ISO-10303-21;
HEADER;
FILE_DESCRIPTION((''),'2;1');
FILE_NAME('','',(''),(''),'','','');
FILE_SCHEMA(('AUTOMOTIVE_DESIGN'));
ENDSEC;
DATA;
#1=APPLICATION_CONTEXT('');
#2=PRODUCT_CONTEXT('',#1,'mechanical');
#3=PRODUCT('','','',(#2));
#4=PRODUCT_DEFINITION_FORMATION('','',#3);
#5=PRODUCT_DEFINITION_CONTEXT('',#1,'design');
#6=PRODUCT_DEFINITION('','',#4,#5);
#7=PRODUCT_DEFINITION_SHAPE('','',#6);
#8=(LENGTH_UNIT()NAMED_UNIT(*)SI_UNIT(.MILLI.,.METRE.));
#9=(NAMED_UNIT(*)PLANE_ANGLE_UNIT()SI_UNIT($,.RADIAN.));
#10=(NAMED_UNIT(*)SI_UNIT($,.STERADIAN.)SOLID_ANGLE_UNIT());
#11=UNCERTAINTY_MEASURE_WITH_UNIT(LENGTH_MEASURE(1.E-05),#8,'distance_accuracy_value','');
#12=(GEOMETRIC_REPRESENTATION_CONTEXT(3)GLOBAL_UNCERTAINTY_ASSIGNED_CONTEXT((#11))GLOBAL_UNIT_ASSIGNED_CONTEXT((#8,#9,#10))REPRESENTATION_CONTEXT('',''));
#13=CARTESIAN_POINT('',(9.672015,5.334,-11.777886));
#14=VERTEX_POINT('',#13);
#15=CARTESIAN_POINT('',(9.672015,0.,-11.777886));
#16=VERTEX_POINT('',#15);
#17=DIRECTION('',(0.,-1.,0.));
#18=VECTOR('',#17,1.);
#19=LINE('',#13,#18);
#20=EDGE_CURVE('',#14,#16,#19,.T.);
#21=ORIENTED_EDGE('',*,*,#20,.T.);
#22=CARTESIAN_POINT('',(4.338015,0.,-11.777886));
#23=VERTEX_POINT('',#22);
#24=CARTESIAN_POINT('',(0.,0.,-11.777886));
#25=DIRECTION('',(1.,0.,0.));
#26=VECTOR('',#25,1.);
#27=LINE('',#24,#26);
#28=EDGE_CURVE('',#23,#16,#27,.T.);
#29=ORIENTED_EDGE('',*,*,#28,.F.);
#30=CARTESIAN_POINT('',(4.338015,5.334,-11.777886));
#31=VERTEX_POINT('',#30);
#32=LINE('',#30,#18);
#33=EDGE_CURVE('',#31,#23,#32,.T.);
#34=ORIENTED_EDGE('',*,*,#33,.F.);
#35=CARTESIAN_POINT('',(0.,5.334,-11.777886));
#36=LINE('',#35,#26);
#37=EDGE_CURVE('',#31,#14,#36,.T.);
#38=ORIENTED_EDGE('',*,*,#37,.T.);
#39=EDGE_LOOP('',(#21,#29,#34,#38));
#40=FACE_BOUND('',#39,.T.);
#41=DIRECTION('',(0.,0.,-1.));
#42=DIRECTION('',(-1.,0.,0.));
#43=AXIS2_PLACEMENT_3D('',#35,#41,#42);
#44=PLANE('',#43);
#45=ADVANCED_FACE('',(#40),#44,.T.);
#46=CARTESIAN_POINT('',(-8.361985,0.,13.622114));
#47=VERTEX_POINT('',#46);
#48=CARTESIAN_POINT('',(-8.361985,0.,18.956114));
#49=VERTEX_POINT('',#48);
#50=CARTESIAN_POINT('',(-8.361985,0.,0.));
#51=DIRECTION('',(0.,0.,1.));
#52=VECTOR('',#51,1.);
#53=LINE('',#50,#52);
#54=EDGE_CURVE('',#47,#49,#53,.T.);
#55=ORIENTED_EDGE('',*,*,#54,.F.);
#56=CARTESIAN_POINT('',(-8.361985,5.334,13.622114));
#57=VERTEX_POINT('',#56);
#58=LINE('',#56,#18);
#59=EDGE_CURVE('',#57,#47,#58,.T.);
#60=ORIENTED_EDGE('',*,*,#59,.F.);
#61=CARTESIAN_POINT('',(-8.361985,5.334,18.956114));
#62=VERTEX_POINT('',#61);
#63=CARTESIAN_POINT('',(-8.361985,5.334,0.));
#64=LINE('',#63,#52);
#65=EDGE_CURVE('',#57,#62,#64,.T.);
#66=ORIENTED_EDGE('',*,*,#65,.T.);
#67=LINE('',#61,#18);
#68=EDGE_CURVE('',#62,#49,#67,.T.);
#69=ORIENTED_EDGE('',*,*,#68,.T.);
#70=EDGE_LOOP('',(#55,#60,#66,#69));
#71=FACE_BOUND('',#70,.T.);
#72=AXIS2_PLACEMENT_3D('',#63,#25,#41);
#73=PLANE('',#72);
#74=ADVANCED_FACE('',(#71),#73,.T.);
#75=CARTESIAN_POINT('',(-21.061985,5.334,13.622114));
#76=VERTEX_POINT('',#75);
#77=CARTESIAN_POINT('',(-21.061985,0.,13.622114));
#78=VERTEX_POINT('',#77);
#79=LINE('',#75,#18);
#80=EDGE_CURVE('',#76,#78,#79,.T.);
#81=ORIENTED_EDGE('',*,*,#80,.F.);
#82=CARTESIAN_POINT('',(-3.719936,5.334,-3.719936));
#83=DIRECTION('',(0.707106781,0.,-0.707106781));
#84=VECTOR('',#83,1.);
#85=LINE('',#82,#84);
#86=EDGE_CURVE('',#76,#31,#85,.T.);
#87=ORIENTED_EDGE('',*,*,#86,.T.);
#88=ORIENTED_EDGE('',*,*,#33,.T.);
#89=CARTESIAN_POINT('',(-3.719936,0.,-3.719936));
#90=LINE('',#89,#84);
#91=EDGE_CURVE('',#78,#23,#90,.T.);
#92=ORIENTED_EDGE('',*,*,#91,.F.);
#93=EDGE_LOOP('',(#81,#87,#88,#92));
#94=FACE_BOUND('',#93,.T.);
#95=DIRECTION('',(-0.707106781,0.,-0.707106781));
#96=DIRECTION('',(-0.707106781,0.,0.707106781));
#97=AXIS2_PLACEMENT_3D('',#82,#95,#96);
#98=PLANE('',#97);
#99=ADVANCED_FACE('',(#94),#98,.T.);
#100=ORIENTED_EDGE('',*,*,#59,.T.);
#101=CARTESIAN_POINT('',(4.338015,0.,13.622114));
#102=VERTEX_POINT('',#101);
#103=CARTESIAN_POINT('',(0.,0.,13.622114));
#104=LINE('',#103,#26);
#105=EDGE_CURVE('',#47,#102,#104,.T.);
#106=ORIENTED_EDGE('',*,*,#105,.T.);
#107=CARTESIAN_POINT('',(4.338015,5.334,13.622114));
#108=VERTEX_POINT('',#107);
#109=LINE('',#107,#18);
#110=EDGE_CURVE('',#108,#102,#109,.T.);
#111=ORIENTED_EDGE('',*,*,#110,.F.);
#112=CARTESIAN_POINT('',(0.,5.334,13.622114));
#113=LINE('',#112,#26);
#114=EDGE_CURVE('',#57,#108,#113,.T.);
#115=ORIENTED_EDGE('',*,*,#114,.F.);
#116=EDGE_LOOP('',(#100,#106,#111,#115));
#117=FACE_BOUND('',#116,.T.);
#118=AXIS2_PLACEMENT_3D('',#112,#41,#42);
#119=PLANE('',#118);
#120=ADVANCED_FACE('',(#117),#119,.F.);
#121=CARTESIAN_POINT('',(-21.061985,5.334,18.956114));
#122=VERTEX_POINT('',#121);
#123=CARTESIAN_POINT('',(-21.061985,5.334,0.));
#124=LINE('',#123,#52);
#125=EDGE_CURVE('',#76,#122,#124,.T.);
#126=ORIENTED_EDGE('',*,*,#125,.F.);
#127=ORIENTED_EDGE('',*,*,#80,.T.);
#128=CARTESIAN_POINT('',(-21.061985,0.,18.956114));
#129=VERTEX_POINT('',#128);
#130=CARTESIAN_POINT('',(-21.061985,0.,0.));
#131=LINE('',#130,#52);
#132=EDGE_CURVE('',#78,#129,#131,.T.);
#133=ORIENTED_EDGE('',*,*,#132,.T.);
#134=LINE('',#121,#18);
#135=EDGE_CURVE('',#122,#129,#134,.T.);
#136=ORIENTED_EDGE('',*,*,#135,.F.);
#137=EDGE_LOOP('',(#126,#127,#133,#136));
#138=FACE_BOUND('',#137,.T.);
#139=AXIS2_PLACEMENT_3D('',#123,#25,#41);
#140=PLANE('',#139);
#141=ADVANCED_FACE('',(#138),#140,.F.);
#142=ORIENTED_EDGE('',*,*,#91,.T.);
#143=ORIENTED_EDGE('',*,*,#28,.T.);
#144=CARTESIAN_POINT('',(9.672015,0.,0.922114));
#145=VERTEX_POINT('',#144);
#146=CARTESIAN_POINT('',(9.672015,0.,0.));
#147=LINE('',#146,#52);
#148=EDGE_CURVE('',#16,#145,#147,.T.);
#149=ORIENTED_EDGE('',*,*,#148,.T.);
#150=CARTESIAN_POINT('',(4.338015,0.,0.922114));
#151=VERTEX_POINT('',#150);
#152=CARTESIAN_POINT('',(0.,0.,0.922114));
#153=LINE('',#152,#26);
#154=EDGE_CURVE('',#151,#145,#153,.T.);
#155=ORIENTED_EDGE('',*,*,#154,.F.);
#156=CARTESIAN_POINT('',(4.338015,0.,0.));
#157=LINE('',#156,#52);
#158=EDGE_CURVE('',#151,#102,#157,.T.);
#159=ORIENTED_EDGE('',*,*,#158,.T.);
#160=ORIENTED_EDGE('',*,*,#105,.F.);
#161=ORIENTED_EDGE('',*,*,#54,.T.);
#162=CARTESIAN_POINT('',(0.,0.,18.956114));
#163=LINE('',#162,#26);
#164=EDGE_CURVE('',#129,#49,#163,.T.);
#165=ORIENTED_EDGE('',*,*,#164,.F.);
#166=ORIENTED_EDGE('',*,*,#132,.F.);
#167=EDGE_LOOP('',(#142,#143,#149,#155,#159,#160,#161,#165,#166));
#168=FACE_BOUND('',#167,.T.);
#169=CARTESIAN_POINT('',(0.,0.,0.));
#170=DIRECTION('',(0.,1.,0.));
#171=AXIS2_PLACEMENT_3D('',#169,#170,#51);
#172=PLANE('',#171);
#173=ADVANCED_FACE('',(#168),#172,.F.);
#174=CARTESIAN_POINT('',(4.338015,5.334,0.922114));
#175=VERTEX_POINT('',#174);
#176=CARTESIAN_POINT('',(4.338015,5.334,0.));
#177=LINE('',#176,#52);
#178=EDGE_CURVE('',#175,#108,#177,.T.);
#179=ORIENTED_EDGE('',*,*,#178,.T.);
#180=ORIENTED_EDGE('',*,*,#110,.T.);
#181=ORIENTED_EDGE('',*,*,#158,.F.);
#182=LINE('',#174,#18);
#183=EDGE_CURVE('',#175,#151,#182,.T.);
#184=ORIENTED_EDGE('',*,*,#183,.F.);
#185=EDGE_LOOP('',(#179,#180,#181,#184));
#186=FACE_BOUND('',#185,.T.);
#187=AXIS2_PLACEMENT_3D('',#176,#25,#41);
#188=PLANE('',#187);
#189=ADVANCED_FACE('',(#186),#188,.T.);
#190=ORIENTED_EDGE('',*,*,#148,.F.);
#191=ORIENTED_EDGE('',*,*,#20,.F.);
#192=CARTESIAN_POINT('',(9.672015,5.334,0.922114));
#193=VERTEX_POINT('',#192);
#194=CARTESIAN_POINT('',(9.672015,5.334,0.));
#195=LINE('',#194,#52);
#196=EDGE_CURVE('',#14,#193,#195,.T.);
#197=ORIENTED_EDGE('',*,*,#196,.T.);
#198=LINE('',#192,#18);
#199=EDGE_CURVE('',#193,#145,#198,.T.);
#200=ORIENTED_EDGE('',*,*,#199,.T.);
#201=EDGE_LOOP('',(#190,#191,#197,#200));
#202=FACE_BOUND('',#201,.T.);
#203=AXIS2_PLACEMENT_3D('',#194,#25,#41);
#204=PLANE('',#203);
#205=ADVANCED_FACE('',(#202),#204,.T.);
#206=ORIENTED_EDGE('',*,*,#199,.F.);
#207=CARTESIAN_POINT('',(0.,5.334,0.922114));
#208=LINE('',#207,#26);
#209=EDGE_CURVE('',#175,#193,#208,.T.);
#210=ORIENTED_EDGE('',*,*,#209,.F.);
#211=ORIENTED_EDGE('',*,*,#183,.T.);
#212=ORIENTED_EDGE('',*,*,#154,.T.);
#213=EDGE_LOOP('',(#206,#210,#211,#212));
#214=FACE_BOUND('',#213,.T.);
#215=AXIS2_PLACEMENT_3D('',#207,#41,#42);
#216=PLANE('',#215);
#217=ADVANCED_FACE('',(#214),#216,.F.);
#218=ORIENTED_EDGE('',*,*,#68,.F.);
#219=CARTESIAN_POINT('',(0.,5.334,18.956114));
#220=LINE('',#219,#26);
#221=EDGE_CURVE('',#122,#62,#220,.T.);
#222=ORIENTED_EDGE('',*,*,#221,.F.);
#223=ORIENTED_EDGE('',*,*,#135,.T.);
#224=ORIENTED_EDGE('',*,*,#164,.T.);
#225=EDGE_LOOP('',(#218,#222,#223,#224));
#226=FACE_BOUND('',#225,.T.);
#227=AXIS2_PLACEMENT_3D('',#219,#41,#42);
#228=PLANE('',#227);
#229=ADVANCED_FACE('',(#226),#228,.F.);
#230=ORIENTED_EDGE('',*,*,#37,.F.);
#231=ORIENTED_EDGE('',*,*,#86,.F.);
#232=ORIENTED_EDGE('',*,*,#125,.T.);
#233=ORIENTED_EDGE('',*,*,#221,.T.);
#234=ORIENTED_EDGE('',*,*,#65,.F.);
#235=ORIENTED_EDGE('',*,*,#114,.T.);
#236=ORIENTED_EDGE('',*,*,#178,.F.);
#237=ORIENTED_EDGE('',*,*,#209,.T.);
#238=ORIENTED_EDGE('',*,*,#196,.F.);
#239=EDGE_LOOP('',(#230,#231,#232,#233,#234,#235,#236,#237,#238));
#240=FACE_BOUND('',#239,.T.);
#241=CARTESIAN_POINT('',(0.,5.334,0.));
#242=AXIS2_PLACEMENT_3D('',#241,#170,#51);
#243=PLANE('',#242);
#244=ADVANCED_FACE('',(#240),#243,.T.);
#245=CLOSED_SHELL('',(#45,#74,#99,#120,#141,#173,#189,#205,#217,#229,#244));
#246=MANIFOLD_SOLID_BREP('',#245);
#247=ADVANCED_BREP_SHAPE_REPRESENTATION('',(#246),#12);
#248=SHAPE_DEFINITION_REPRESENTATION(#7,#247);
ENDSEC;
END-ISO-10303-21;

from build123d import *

# Parameters (mm, degrees)
SKETCH1_W           = 12.7
SKETCH1_H           = 5.334
SKETCH1_W_2         = 5.334
SKETCH1_H_2         = 12.7
BOSS_EXTRUDE1_DEPTH = 5.334


with BuildPart() as part:
    # Sketch1 → Boss-Extrude1 (new body)
    with BuildSketch(Plane(origin=(0, 0, 0), x_dir=(1, 0, 0), z_dir=(0, 1, 0))):
        with Locations((-14.711985437, -16.289114223)):
            Rectangle(SKETCH1_W, SKETCH1_H)
        Polygon((4.338014563, 11.777885777), (4.338014563, -13.622114223), (-21.061985437, -13.622114223), align=None)
        with Locations((7.005014563, 5.427885777)):
            Rectangle(SKETCH1_W_2, SKETCH1_H_2)
    extrude(amount=BOSS_EXTRUDE1_DEPTH)


solid = part.part
